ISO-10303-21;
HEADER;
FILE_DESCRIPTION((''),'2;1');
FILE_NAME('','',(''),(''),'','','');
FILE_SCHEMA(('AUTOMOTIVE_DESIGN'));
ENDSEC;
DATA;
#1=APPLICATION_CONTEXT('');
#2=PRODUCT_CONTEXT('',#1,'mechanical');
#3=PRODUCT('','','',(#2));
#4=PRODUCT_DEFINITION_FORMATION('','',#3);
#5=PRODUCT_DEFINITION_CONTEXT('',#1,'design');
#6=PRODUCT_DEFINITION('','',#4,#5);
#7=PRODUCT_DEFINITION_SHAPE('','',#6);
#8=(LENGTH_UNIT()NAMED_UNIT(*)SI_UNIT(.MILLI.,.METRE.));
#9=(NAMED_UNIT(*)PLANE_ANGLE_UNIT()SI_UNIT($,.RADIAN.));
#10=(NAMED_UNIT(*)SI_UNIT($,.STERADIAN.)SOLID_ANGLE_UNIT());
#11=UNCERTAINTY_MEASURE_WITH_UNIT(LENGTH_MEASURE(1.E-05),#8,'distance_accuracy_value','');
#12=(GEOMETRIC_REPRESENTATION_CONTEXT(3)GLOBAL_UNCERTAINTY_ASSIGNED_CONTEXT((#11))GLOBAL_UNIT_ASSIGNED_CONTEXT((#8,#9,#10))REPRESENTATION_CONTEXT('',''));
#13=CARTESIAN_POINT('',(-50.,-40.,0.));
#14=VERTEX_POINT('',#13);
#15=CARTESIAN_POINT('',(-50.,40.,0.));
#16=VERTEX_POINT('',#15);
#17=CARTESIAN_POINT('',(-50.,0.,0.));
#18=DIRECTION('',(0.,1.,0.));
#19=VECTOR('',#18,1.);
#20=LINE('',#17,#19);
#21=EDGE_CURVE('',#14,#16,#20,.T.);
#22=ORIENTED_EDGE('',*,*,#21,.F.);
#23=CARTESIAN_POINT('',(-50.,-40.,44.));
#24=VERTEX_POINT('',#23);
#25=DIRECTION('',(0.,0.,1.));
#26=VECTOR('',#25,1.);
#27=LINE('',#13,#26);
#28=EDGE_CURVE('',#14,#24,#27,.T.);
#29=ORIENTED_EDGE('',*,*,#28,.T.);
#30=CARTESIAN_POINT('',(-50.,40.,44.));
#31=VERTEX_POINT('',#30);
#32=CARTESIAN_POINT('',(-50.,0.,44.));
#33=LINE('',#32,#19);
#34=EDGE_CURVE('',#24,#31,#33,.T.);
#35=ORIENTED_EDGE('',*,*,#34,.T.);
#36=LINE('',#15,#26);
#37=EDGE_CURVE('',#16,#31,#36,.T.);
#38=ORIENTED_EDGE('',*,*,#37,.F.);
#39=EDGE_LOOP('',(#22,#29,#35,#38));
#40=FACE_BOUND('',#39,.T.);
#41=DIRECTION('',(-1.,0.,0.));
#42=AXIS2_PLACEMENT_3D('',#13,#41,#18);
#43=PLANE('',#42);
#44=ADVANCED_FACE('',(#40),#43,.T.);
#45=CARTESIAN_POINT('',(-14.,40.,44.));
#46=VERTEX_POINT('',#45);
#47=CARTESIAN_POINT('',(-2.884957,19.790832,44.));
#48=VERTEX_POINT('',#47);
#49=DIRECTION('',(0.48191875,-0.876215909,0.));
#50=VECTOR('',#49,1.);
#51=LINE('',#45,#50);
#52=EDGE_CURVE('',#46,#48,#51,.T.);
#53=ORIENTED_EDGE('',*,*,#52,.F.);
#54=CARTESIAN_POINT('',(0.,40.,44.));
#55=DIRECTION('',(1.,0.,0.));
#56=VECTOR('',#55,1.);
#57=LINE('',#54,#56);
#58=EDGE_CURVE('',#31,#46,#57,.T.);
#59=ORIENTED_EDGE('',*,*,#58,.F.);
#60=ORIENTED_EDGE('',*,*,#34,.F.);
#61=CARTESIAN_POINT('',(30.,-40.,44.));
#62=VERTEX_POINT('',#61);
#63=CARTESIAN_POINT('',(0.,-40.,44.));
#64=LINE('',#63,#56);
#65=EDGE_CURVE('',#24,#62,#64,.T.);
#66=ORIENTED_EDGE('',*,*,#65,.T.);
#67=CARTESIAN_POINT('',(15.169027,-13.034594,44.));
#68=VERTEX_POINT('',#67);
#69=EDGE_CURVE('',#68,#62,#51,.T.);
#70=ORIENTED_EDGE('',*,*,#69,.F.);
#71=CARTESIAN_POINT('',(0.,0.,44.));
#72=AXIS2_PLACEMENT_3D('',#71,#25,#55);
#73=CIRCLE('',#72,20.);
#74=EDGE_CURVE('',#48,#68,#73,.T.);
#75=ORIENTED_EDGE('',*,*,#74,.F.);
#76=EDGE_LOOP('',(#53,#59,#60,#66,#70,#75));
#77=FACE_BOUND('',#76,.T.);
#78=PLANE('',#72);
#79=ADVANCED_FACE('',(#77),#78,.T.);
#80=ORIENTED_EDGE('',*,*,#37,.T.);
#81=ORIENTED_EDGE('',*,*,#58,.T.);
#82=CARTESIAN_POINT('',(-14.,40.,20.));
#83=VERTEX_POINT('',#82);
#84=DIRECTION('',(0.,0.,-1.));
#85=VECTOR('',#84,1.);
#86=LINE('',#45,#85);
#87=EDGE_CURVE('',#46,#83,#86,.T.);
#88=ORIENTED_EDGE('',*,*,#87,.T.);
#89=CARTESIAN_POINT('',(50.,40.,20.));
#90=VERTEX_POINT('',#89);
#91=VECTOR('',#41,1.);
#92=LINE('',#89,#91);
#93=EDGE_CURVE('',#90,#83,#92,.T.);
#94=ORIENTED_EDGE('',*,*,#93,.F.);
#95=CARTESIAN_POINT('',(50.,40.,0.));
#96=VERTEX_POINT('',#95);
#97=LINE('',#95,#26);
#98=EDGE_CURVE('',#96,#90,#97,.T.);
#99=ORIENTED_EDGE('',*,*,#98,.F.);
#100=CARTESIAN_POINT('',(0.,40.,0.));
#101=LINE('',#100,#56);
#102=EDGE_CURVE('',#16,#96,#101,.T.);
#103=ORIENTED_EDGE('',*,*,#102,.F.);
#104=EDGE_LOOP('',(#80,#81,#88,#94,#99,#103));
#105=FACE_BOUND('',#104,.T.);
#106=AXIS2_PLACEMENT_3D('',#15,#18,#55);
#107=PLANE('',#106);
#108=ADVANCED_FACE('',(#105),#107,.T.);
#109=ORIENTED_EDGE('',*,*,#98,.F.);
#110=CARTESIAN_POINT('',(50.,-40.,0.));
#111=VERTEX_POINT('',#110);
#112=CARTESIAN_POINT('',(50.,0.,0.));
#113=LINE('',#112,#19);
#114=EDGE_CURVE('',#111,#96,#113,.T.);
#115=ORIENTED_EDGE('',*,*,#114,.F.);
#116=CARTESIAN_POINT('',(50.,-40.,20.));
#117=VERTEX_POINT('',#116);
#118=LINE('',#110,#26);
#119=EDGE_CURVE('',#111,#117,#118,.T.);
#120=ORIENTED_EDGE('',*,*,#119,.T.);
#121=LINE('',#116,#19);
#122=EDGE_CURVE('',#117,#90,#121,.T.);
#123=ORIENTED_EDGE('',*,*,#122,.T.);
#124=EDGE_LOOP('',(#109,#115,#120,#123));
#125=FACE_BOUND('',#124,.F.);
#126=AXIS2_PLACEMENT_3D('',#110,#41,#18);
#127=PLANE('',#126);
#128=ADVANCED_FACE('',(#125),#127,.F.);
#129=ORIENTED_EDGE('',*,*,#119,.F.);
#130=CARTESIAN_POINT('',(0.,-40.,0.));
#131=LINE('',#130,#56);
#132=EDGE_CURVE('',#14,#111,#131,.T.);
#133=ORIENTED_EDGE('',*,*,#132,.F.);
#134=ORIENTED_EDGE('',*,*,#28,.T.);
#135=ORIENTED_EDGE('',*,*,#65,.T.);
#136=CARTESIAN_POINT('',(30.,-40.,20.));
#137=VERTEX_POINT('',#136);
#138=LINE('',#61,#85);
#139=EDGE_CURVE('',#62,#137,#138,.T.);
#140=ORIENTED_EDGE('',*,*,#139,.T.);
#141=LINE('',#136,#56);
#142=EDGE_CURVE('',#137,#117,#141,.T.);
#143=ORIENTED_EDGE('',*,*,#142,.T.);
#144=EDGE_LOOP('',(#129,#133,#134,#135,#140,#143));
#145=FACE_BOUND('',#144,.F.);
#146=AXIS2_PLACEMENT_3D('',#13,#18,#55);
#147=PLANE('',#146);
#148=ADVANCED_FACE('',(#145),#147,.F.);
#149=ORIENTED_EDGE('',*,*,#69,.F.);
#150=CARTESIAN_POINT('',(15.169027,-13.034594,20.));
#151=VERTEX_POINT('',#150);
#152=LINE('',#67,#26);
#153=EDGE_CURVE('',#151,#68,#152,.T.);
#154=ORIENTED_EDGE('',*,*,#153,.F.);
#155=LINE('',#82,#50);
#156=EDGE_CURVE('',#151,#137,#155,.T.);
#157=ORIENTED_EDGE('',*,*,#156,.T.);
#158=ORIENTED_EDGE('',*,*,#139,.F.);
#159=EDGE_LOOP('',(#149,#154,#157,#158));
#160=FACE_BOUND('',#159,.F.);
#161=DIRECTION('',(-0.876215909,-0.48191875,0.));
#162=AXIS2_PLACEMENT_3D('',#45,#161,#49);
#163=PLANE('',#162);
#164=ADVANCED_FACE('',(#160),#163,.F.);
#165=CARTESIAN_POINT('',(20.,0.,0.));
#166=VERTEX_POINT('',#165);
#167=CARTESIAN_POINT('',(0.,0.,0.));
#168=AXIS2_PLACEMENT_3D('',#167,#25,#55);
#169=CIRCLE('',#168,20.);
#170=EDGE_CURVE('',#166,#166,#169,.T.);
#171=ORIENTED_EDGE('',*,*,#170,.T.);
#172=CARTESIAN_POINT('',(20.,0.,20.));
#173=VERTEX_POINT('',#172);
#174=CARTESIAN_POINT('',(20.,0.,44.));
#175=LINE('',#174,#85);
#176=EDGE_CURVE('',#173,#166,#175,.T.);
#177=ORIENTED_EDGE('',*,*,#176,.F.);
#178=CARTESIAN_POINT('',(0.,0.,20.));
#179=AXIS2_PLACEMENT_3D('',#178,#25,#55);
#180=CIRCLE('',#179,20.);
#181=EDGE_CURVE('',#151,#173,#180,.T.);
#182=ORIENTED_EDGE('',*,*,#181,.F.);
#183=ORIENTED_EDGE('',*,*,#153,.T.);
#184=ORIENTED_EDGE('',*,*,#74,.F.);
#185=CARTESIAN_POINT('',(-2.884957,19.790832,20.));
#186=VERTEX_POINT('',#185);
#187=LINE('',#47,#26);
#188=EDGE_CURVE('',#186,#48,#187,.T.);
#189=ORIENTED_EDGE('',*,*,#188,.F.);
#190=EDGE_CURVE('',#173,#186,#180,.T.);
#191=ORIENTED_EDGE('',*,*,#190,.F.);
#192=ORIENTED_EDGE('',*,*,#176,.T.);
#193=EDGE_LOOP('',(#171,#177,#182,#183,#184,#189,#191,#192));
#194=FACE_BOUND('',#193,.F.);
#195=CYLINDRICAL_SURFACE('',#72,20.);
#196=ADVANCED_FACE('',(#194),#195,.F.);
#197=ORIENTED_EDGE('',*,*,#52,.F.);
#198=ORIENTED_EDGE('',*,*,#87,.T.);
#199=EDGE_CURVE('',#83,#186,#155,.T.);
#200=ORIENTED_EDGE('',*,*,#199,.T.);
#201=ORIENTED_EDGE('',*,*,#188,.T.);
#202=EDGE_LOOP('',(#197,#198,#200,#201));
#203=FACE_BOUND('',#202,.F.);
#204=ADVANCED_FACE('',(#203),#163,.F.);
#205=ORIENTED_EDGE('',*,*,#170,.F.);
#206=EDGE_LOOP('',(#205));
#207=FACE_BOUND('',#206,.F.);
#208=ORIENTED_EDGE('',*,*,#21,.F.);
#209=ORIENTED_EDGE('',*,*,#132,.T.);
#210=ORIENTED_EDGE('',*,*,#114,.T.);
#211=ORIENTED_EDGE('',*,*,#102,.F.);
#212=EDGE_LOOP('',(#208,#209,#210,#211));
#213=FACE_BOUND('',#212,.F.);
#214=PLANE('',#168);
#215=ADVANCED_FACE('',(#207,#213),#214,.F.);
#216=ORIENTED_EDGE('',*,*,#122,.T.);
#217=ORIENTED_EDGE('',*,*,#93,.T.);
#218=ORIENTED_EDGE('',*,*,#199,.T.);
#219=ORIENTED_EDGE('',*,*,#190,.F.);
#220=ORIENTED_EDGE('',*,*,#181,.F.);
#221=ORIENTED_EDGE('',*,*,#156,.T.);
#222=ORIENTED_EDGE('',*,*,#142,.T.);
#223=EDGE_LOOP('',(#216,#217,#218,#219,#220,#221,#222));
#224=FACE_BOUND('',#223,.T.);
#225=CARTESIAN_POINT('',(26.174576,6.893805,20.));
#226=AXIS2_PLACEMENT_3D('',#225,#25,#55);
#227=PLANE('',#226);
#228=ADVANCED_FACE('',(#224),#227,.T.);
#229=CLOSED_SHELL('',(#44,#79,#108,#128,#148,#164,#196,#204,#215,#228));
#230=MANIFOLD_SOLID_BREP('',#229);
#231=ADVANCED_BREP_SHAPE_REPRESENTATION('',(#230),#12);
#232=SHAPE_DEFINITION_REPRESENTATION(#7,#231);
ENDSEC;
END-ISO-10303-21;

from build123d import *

# Parameters (mm, degrees)
F0_W     = 100
F0_H     = 80
F1_DEPTH = 44
F2_R     = 20
F3_DEPTH = 44.001
F5_DEPTH = 24


with BuildPart() as f1:
    # F0 (on Top) → F1 (new body)
    with BuildSketch(Plane.XY):
        Rectangle(F0_W, F0_H)
    extrude(amount=F1_DEPTH)

    # F2 (on face) → F3 (cut, through all)
    with BuildSketch(Plane.XY.offset(44)):
        Circle(F2_R)
    extrude(amount=-F3_DEPTH, mode=Mode.SUBTRACT)

    # F4 (on face) → F5 (cut)
    with BuildSketch(Plane.XY.offset(44)):
        Polygon((50, 40), (-14, 40), (30, -40), (50, -40), align=None)
    extrude(amount=-F5_DEPTH, mode=Mode.SUBTRACT)


solid = f1.part
